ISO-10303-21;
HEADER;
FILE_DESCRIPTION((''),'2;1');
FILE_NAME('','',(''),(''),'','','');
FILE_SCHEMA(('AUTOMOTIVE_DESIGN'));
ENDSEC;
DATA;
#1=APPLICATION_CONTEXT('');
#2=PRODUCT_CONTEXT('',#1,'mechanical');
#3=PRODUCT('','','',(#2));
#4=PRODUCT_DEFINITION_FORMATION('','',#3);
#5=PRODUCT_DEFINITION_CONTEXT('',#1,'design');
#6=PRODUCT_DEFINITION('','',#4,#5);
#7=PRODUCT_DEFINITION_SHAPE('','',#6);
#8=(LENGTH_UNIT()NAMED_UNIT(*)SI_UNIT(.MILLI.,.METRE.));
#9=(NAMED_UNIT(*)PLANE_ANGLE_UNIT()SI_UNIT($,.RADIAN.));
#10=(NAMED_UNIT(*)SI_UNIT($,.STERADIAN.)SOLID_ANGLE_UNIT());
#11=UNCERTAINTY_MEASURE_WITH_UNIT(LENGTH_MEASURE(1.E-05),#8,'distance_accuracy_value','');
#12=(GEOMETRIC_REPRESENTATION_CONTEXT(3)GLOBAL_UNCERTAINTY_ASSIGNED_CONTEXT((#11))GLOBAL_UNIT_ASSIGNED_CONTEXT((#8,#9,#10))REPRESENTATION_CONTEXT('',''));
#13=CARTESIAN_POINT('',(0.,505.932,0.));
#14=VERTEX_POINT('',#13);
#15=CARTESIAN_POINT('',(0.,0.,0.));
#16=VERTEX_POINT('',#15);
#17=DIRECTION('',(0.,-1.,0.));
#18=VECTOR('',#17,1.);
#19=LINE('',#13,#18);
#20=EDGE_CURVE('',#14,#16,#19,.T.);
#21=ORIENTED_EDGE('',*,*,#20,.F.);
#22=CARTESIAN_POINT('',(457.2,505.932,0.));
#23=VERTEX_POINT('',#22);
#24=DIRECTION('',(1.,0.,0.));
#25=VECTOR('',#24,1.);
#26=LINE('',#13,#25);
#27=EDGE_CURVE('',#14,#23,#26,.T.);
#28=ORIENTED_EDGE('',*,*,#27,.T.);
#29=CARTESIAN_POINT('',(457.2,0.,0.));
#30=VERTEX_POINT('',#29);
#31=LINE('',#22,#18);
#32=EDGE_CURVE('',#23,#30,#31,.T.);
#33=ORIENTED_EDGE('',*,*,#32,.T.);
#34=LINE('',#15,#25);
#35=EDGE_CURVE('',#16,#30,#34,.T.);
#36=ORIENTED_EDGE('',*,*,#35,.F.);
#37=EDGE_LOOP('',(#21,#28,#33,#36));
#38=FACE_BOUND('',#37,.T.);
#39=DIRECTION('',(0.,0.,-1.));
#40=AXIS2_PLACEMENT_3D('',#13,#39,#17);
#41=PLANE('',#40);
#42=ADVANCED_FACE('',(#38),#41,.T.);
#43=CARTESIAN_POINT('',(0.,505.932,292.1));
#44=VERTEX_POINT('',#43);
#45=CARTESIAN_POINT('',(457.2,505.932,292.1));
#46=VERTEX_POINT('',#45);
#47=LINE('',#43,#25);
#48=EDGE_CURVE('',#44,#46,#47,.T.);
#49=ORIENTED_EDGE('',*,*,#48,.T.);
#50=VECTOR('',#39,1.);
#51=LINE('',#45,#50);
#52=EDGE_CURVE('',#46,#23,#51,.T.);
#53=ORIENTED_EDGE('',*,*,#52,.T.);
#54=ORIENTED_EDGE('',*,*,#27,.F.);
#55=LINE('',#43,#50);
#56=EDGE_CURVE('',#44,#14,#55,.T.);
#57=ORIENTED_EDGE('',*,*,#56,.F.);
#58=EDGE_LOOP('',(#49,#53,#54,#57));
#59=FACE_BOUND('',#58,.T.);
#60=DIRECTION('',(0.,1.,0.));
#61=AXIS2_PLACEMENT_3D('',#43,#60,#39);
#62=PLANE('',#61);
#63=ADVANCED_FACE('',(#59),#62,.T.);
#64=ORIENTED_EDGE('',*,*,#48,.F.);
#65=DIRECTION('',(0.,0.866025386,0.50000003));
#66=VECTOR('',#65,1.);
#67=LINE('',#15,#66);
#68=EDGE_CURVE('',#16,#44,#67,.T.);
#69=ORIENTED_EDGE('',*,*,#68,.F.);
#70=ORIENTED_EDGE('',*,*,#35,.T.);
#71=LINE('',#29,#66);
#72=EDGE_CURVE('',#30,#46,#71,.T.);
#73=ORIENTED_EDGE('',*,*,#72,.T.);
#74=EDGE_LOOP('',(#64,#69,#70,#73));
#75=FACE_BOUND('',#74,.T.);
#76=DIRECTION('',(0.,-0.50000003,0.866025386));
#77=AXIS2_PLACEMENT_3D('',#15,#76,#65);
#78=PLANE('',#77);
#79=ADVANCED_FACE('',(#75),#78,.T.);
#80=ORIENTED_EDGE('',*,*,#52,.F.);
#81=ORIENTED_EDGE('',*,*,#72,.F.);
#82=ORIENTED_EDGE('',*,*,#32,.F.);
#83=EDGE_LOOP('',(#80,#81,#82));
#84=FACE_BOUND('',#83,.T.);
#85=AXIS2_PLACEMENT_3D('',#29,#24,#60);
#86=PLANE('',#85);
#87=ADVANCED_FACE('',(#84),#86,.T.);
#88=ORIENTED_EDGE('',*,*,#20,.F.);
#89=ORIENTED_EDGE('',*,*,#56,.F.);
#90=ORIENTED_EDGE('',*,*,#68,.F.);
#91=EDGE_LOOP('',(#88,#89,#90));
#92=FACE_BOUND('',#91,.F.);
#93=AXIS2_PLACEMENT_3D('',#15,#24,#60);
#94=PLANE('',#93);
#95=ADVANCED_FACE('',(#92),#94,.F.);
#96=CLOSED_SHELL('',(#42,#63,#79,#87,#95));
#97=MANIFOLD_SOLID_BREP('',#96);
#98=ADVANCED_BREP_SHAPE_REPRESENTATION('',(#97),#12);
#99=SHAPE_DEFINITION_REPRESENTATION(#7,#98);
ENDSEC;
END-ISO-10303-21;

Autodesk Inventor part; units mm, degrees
ref_plane "YZ Plane" through (0, 0, 0) normal (1, 0, 0) x (0, 1, 0)
ref_plane "XZ Plane" through (0, 0, 0) normal (0, 1, 0) x (-1, 0, 0)
ref_plane "XY Plane" through (0, 0, 0) normal (0, 0, 1) x (1, 0, 0)
sketch "Sketch1" plane through (0, 0, 0) normal (1, 0, 0) x (0, 1, 0)
  line L0 (0, 0) -> (505.932, 292.1)
  line L1 (0, 0) -> (584.2, 0) construction
  line L2 (505.932, 292.1) -> (505.932, 0)
  line L3 (505.932, 0) -> (0, 0)
  dimension "d0" = 584.2
  dimension "d1" = 30
extrude "Extrusion1" add sketch "Sketch1" along normal blind 457.2
properties part number "Wedge"
